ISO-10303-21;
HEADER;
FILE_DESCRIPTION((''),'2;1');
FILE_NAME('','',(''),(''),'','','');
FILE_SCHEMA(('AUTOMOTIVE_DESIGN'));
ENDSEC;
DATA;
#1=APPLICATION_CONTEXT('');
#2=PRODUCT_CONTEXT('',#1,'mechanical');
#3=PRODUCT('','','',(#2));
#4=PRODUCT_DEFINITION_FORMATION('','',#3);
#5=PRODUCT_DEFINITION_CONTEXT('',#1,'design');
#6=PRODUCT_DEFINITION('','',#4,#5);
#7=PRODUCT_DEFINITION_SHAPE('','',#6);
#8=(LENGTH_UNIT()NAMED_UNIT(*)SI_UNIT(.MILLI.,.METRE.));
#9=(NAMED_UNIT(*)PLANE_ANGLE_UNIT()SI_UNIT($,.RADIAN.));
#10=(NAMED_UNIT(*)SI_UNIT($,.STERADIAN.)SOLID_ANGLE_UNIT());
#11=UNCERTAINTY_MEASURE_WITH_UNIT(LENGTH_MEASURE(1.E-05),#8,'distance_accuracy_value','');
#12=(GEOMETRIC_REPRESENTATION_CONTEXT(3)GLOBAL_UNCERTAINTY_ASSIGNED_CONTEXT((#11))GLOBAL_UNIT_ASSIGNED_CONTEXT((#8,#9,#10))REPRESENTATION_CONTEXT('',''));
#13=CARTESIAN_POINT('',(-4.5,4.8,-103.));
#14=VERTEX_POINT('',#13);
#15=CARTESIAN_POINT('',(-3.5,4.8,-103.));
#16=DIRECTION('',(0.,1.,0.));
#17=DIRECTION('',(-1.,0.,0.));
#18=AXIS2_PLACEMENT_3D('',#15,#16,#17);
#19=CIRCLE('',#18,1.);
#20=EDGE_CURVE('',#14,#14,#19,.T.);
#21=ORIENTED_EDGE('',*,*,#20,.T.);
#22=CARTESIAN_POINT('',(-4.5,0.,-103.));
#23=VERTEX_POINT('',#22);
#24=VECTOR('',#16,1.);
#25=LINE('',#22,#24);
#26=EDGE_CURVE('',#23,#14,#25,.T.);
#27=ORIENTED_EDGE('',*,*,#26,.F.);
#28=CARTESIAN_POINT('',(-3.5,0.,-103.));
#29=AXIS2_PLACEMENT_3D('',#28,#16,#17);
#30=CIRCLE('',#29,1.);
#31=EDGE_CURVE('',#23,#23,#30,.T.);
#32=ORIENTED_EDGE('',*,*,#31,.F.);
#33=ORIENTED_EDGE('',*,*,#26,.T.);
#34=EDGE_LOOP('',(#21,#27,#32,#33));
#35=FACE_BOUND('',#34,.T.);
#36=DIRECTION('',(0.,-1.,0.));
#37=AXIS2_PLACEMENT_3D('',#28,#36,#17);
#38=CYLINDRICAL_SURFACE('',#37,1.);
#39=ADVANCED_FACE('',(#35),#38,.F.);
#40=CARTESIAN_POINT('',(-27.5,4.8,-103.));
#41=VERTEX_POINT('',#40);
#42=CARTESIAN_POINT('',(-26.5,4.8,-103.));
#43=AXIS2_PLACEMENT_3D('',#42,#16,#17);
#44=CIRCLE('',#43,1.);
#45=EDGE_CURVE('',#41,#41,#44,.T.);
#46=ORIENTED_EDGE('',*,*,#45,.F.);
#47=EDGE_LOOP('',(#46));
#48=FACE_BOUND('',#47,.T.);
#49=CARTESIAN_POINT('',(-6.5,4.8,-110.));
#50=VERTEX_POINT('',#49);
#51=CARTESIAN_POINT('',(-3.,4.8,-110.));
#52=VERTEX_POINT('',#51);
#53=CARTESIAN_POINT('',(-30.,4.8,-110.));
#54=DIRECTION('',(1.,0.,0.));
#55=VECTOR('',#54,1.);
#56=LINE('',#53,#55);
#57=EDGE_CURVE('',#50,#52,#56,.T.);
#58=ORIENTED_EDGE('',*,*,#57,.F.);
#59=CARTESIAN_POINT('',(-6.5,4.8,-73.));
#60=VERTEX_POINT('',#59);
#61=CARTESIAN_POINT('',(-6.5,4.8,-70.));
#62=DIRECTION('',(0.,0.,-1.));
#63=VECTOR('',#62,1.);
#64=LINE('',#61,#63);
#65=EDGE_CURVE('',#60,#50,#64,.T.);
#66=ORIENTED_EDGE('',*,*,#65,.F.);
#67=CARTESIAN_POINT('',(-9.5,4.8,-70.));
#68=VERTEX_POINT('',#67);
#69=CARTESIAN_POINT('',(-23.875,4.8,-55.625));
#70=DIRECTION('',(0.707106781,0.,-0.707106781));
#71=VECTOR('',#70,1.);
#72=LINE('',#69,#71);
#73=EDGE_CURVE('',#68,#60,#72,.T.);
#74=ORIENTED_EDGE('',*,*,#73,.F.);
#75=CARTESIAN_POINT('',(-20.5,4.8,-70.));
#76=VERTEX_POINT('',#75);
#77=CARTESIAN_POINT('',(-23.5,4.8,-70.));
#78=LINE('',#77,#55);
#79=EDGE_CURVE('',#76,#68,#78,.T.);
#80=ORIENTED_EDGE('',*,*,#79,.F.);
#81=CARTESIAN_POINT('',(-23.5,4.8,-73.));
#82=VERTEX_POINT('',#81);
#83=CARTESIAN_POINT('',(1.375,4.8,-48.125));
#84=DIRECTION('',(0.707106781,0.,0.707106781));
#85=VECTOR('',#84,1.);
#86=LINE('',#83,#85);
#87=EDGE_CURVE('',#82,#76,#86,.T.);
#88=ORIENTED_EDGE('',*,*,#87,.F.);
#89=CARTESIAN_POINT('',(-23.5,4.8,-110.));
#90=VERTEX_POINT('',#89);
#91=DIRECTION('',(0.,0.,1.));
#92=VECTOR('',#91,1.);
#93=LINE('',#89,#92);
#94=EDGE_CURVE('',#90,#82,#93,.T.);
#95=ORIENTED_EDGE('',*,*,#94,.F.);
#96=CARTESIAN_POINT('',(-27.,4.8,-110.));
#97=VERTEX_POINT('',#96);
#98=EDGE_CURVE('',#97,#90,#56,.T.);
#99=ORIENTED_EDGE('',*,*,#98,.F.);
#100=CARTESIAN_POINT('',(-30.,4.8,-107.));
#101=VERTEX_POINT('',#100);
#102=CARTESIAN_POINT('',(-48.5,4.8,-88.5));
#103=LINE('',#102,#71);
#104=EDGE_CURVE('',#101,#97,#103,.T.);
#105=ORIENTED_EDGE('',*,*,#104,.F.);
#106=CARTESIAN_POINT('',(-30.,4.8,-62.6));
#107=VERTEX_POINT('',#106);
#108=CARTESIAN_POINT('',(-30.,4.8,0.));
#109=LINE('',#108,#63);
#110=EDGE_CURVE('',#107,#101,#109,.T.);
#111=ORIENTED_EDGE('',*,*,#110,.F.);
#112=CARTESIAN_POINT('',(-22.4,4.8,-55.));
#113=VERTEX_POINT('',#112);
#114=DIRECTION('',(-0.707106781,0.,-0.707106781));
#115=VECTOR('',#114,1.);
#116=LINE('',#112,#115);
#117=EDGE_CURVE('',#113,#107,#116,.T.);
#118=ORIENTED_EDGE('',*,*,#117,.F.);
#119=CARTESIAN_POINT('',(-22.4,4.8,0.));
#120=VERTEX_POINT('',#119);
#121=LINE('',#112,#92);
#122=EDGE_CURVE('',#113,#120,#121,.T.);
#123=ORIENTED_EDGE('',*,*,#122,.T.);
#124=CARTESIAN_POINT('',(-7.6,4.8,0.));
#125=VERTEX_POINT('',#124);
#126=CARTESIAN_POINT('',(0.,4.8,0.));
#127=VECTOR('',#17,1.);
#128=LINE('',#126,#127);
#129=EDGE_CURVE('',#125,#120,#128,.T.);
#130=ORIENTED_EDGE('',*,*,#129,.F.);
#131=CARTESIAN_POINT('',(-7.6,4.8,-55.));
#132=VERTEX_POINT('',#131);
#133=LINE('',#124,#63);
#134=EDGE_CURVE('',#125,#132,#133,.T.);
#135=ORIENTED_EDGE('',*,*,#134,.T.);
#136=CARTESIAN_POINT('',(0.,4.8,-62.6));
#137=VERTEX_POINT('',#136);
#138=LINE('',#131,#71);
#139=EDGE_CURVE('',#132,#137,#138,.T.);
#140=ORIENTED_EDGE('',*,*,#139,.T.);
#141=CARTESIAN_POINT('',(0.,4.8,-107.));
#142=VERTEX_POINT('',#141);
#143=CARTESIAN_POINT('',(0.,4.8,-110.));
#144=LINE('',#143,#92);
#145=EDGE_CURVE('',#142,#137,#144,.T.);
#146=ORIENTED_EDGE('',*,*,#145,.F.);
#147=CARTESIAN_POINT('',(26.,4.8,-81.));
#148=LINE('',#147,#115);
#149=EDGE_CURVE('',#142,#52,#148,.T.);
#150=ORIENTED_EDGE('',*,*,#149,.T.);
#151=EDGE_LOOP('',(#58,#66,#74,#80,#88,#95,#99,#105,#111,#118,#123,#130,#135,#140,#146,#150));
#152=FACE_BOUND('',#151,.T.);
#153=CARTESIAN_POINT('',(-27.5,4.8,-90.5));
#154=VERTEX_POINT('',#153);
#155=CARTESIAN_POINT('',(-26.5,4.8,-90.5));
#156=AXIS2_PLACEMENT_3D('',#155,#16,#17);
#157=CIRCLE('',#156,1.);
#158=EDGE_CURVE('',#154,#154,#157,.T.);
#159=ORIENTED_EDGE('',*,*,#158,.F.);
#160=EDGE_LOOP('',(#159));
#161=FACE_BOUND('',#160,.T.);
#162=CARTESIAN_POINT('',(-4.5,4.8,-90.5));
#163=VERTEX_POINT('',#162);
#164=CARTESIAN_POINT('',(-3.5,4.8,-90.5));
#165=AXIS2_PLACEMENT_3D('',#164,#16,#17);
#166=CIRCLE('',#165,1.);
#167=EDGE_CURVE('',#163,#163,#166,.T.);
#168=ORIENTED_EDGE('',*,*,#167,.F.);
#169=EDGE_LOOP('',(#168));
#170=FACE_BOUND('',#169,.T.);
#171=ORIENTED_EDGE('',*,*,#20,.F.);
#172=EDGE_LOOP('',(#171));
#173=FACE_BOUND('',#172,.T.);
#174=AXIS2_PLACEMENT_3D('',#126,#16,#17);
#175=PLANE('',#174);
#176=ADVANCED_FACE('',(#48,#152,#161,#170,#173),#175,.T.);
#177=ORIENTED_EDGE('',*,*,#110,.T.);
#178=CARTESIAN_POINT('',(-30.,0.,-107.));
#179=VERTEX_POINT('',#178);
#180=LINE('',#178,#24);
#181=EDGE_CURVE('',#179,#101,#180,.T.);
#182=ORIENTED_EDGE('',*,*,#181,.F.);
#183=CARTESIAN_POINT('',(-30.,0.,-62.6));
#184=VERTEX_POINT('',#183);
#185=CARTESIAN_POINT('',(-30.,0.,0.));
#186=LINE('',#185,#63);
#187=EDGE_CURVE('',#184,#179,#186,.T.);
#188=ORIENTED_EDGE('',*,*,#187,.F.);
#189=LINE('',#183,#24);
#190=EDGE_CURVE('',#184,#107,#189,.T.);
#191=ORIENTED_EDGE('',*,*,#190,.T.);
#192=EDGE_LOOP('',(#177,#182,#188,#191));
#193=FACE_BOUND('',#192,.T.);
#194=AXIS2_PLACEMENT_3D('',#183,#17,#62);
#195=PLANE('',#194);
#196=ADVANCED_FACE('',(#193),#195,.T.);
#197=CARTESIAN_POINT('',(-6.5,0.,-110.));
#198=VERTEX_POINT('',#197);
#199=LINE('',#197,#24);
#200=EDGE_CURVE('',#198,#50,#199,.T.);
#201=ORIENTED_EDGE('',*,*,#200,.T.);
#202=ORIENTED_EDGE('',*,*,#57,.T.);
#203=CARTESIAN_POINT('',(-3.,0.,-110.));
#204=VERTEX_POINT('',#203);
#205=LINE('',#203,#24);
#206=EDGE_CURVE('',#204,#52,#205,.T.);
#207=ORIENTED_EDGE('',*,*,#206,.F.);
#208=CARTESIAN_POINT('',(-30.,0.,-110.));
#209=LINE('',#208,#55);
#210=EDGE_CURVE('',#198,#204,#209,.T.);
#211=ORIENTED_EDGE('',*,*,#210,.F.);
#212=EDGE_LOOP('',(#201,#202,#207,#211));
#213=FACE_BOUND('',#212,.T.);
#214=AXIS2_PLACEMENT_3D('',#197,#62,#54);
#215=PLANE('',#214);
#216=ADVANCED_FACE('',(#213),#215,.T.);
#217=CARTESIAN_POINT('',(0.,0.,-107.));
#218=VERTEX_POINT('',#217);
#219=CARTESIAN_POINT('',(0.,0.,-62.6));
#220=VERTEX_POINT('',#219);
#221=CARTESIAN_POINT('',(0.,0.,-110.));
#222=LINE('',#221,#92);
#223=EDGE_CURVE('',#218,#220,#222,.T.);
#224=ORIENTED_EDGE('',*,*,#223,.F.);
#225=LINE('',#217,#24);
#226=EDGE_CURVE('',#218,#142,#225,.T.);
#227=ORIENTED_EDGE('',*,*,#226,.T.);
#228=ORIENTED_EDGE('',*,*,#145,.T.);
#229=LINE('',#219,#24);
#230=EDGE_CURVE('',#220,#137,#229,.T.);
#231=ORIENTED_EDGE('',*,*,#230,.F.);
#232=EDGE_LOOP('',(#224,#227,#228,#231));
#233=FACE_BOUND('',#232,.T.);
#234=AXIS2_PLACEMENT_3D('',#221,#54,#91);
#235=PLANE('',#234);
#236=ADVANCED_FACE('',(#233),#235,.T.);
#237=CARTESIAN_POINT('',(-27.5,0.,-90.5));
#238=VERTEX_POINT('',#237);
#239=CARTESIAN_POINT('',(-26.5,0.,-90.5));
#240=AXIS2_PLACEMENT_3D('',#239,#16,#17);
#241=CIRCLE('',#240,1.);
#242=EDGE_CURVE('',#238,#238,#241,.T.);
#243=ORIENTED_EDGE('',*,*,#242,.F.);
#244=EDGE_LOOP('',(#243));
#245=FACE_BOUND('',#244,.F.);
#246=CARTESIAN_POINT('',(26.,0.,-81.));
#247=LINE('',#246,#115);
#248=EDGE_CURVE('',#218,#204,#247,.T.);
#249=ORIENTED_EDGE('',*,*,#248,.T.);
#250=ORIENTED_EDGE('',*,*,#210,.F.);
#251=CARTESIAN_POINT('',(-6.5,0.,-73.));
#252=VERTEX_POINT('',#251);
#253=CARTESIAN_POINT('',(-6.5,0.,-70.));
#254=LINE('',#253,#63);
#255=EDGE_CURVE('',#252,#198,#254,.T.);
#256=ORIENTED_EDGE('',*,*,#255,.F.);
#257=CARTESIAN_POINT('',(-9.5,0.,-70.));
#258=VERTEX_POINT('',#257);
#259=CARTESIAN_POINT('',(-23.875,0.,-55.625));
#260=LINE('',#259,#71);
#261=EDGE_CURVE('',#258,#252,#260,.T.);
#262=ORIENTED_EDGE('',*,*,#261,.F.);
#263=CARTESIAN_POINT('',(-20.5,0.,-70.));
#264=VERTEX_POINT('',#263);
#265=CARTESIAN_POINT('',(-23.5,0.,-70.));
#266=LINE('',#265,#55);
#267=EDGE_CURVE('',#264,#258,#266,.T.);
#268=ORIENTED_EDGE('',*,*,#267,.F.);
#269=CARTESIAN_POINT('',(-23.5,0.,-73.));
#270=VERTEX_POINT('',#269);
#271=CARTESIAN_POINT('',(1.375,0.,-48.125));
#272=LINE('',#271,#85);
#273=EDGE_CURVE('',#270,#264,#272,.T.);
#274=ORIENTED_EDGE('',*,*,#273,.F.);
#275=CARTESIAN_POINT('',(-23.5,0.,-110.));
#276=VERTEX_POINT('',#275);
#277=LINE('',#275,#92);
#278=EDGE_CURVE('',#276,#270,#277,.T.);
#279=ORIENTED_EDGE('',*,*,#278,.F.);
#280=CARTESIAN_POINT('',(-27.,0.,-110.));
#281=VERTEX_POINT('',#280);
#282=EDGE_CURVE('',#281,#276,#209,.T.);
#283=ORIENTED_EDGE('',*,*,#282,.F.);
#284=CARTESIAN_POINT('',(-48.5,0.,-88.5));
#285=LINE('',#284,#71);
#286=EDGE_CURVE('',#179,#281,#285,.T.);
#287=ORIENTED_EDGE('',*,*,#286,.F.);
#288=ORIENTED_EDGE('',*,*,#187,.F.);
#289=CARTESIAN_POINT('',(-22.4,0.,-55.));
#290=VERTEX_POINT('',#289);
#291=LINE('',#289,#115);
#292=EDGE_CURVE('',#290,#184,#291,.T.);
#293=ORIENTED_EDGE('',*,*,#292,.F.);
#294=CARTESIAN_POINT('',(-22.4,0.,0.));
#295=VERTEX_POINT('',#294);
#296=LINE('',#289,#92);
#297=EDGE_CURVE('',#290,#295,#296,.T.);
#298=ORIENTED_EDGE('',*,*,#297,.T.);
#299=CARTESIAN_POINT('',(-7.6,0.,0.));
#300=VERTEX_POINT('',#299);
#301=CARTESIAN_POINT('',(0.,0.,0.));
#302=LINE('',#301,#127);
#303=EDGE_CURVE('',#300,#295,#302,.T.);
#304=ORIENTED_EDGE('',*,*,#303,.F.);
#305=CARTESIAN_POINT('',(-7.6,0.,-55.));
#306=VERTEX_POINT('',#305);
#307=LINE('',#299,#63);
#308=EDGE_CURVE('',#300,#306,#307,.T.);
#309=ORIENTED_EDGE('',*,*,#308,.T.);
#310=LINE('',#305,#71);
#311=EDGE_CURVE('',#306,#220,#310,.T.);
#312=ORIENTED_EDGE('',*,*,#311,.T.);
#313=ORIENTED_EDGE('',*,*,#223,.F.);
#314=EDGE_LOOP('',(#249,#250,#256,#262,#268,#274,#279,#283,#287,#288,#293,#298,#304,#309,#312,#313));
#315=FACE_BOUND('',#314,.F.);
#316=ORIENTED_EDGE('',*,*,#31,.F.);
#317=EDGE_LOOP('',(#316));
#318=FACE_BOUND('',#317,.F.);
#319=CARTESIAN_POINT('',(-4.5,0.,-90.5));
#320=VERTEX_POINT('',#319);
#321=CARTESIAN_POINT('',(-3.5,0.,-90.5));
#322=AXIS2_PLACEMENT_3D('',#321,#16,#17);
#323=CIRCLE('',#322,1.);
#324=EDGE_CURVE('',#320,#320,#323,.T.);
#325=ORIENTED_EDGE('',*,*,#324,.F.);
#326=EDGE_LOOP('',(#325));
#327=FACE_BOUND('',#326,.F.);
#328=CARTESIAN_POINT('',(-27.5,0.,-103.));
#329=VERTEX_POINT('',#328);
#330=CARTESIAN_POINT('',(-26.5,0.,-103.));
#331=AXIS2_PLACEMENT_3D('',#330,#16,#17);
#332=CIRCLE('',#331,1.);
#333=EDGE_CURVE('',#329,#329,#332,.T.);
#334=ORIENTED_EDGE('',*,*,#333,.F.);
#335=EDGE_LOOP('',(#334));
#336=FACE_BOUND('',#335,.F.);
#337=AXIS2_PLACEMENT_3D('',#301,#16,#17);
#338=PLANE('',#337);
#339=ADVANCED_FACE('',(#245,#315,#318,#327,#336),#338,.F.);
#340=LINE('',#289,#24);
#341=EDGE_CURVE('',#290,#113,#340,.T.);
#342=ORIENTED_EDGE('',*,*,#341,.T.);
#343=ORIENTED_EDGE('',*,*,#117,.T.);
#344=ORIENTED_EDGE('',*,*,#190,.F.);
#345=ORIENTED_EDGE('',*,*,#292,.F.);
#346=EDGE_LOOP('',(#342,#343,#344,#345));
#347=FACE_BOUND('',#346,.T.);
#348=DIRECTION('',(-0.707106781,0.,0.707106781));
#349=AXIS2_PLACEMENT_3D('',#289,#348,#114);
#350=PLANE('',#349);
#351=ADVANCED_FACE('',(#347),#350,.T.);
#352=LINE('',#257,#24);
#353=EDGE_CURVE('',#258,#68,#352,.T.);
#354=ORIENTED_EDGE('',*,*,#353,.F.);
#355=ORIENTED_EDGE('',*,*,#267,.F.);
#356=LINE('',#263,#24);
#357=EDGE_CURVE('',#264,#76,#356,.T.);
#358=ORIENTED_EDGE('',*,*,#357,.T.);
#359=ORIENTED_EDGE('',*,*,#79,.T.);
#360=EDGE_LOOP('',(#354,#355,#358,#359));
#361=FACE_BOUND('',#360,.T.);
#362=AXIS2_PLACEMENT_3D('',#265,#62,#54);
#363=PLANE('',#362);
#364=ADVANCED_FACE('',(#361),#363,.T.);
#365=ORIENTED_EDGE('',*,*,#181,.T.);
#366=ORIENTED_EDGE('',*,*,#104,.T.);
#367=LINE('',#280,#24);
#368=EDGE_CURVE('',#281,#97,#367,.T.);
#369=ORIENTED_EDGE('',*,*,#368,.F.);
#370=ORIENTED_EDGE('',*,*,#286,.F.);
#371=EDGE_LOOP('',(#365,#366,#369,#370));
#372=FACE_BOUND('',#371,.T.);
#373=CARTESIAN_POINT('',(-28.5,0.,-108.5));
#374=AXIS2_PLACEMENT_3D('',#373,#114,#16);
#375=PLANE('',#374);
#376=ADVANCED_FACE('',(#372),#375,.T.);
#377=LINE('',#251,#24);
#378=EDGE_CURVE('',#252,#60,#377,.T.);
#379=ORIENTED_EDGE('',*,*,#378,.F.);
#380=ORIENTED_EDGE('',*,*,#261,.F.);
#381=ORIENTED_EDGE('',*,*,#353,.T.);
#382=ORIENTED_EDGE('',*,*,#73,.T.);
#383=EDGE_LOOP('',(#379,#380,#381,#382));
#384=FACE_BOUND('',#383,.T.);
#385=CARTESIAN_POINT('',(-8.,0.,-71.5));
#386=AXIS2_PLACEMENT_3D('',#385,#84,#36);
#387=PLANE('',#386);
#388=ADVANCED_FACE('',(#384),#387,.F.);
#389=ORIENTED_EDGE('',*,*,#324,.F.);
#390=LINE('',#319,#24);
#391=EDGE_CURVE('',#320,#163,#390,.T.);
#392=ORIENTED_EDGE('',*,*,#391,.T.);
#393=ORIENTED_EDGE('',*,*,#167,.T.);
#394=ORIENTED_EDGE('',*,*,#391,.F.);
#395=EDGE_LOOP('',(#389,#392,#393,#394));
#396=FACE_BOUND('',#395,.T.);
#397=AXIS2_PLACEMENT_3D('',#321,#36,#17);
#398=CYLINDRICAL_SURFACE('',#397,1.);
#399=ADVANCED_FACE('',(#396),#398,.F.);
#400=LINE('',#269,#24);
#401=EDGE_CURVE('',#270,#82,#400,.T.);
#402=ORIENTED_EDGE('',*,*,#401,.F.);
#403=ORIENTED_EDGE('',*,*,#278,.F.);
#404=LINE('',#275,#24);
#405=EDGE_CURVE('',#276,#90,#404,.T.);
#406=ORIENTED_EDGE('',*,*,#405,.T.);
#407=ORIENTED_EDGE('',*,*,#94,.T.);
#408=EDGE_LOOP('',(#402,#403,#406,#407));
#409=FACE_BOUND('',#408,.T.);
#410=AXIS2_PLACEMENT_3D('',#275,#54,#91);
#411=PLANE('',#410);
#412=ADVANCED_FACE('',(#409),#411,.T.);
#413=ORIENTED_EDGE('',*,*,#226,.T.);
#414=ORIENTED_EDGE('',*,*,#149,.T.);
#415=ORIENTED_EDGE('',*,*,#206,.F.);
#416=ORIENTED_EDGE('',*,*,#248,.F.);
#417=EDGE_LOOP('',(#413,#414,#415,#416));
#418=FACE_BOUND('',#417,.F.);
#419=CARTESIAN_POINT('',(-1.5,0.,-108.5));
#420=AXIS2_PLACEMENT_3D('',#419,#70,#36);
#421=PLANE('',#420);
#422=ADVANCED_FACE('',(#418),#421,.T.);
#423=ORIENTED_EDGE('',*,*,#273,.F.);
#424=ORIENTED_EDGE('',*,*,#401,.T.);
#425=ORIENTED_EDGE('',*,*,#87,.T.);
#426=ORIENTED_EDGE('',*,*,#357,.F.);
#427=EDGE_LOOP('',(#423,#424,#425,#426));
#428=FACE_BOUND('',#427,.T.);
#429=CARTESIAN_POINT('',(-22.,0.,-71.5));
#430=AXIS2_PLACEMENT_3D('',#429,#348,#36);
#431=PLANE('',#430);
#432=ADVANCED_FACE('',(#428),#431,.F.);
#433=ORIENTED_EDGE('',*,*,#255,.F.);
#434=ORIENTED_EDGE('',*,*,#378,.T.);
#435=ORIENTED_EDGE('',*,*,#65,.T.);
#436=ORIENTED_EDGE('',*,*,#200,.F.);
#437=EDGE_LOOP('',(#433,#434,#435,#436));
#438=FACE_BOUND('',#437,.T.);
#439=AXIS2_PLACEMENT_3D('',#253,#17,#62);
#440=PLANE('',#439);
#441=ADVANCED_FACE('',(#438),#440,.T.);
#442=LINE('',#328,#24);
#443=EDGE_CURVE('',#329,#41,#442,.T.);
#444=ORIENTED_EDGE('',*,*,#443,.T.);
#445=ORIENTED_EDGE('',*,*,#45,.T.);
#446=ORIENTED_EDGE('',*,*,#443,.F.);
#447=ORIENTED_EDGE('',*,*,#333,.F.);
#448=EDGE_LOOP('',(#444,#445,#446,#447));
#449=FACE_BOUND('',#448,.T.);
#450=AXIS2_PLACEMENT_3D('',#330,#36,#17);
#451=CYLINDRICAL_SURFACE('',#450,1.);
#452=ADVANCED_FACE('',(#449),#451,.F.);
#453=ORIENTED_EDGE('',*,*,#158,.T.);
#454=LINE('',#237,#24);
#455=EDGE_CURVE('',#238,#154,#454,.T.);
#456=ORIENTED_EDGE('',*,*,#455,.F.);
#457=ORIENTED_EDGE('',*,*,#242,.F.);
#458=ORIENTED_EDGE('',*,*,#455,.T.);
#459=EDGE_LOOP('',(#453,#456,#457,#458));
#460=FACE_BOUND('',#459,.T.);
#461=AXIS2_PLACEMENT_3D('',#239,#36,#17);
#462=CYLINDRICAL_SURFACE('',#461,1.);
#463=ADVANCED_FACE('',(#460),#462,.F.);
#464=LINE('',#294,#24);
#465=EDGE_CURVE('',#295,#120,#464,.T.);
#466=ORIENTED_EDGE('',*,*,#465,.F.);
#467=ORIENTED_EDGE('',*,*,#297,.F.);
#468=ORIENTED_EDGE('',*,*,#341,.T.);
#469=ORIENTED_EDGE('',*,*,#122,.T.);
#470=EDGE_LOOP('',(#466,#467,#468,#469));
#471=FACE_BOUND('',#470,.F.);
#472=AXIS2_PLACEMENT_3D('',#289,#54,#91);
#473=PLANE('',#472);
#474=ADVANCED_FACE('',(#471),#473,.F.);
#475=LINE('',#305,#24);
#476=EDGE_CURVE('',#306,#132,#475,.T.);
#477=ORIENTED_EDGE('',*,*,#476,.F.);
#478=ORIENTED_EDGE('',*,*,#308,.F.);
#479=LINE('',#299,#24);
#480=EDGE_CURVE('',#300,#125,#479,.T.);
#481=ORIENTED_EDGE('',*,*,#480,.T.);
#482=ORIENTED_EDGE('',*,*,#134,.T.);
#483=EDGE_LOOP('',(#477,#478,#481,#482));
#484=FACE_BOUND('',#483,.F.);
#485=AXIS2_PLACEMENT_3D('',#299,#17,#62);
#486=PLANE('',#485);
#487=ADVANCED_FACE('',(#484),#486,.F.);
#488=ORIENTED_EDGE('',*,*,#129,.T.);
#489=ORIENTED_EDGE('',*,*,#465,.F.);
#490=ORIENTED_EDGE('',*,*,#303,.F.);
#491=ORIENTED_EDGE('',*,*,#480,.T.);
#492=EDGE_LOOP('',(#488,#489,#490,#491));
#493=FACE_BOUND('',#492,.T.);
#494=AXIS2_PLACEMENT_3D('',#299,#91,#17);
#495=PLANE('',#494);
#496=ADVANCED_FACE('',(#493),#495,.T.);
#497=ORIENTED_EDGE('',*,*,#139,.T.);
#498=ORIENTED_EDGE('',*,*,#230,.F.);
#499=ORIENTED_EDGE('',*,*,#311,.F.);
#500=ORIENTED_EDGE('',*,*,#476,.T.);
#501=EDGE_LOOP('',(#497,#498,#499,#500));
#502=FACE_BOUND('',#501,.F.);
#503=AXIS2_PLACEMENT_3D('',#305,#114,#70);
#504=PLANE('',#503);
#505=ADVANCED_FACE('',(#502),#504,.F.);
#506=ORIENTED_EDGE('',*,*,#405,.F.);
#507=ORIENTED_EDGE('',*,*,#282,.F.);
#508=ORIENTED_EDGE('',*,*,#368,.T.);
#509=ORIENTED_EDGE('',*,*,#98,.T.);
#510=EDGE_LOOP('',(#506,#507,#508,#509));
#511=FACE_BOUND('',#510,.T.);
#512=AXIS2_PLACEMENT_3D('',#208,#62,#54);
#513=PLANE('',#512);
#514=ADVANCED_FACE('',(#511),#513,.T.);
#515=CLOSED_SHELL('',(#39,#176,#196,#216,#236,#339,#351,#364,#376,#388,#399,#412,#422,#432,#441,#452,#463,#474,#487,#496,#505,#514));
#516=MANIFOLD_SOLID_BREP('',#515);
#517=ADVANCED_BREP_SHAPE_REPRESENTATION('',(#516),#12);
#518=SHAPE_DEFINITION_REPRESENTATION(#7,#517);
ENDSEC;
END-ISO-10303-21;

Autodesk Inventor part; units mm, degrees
ref_plane "YZ Plane" through (0, 0, 0) normal (1, 0, 0) x (0, 1, 0)
ref_plane "XZ Plane" through (0, 0, 0) normal (0, 1, 0) x (-1, 0, 0)
ref_plane "XY Plane" through (0, 0, 0) normal (0, 0, 1) x (1, 0, 0)
sketch "Sketch1" plane through (0, 0, 0) normal (0, 1, 0) x (-1, 0, 0)
  line L0 (0, 0) -> (30, 0)
  line L1 (30, 0) -> (30, -110)
  line L2 (30, -110) -> (0, -110)
  line L3 (0, -110) -> (0, 0)
  line L4 (6.5, -110) -> (23.5, -110)
  line L5 (23.5, -110) -> (23.5, -70)
  line L6 (23.5, -70) -> (6.5, -70)
  line L7 (6.5, -70) -> (6.5, -110)
  circle A0 centre (26.5, -103) radius 1
  circle A1 centre (3.5, -103) radius 1
  line L8 (30, -105) -> (0, -105) construction
  circle A2 centre (26.5, -90.5) radius 1
  circle A3 centre (3.5, -90.5) radius 1
  line L9 (22.4, 0) -> (7.6, 0)
  line L10 (7.6, 0) -> (7.6, -55)
  line L11 (7.6, -55) -> (22.4, -55)
  line L12 (22.4, -55) -> (22.4, 0)
  line L13 (22.4, -55) -> (30, -62.6)
  line L14 (22.4, -55) -> (33.148, -55) construction
  line L15 (7.6, -55) -> (0, -62.6)
  line L16 (7.6, -55) -> (18.348, -55) construction
  point P0 (27.5, -90.5)
  point P1 (2.5, -90.5)
  point P2 (15, 0)
  point P3 (15, -55)
  point P4 (15, -70)
  point P5 (22.4, 0)
  point P6 (7.6, 0)
  dimension "d0" = 30
  dimension "d1" = 110
  dimension "d2" = 2
  dimension "d3" = 2
  dimension "d4" = 14.5
  dimension "d5" = 5
  dimension "d6" = 25
  dimension "d7" = 3
  dimension "d8" = 3
  dimension "d11" = 3.5
  dimension "d12" = 3.5
  dimension "d13" = 40
  dimension "d19" = 14.8
  dimension "d20" = 55
  dimension "d21" = 45
  dimension "d22" = 135
extrude "Extrusion1" add sketch "Sketch1" along normal blind 4.8 contours L0 L12 L11 L10 | L15 L11 L13 L1 L2 L5 L6 L7 L3
chamfer "Chamfer1" distance 3 angle 45 4 edges at (-23.5, 2.4, -70) (-6.5, 2.4, -70) (-30, 2.4, -110) (0, 2.4, -110)
properties part number "camera_holder"
